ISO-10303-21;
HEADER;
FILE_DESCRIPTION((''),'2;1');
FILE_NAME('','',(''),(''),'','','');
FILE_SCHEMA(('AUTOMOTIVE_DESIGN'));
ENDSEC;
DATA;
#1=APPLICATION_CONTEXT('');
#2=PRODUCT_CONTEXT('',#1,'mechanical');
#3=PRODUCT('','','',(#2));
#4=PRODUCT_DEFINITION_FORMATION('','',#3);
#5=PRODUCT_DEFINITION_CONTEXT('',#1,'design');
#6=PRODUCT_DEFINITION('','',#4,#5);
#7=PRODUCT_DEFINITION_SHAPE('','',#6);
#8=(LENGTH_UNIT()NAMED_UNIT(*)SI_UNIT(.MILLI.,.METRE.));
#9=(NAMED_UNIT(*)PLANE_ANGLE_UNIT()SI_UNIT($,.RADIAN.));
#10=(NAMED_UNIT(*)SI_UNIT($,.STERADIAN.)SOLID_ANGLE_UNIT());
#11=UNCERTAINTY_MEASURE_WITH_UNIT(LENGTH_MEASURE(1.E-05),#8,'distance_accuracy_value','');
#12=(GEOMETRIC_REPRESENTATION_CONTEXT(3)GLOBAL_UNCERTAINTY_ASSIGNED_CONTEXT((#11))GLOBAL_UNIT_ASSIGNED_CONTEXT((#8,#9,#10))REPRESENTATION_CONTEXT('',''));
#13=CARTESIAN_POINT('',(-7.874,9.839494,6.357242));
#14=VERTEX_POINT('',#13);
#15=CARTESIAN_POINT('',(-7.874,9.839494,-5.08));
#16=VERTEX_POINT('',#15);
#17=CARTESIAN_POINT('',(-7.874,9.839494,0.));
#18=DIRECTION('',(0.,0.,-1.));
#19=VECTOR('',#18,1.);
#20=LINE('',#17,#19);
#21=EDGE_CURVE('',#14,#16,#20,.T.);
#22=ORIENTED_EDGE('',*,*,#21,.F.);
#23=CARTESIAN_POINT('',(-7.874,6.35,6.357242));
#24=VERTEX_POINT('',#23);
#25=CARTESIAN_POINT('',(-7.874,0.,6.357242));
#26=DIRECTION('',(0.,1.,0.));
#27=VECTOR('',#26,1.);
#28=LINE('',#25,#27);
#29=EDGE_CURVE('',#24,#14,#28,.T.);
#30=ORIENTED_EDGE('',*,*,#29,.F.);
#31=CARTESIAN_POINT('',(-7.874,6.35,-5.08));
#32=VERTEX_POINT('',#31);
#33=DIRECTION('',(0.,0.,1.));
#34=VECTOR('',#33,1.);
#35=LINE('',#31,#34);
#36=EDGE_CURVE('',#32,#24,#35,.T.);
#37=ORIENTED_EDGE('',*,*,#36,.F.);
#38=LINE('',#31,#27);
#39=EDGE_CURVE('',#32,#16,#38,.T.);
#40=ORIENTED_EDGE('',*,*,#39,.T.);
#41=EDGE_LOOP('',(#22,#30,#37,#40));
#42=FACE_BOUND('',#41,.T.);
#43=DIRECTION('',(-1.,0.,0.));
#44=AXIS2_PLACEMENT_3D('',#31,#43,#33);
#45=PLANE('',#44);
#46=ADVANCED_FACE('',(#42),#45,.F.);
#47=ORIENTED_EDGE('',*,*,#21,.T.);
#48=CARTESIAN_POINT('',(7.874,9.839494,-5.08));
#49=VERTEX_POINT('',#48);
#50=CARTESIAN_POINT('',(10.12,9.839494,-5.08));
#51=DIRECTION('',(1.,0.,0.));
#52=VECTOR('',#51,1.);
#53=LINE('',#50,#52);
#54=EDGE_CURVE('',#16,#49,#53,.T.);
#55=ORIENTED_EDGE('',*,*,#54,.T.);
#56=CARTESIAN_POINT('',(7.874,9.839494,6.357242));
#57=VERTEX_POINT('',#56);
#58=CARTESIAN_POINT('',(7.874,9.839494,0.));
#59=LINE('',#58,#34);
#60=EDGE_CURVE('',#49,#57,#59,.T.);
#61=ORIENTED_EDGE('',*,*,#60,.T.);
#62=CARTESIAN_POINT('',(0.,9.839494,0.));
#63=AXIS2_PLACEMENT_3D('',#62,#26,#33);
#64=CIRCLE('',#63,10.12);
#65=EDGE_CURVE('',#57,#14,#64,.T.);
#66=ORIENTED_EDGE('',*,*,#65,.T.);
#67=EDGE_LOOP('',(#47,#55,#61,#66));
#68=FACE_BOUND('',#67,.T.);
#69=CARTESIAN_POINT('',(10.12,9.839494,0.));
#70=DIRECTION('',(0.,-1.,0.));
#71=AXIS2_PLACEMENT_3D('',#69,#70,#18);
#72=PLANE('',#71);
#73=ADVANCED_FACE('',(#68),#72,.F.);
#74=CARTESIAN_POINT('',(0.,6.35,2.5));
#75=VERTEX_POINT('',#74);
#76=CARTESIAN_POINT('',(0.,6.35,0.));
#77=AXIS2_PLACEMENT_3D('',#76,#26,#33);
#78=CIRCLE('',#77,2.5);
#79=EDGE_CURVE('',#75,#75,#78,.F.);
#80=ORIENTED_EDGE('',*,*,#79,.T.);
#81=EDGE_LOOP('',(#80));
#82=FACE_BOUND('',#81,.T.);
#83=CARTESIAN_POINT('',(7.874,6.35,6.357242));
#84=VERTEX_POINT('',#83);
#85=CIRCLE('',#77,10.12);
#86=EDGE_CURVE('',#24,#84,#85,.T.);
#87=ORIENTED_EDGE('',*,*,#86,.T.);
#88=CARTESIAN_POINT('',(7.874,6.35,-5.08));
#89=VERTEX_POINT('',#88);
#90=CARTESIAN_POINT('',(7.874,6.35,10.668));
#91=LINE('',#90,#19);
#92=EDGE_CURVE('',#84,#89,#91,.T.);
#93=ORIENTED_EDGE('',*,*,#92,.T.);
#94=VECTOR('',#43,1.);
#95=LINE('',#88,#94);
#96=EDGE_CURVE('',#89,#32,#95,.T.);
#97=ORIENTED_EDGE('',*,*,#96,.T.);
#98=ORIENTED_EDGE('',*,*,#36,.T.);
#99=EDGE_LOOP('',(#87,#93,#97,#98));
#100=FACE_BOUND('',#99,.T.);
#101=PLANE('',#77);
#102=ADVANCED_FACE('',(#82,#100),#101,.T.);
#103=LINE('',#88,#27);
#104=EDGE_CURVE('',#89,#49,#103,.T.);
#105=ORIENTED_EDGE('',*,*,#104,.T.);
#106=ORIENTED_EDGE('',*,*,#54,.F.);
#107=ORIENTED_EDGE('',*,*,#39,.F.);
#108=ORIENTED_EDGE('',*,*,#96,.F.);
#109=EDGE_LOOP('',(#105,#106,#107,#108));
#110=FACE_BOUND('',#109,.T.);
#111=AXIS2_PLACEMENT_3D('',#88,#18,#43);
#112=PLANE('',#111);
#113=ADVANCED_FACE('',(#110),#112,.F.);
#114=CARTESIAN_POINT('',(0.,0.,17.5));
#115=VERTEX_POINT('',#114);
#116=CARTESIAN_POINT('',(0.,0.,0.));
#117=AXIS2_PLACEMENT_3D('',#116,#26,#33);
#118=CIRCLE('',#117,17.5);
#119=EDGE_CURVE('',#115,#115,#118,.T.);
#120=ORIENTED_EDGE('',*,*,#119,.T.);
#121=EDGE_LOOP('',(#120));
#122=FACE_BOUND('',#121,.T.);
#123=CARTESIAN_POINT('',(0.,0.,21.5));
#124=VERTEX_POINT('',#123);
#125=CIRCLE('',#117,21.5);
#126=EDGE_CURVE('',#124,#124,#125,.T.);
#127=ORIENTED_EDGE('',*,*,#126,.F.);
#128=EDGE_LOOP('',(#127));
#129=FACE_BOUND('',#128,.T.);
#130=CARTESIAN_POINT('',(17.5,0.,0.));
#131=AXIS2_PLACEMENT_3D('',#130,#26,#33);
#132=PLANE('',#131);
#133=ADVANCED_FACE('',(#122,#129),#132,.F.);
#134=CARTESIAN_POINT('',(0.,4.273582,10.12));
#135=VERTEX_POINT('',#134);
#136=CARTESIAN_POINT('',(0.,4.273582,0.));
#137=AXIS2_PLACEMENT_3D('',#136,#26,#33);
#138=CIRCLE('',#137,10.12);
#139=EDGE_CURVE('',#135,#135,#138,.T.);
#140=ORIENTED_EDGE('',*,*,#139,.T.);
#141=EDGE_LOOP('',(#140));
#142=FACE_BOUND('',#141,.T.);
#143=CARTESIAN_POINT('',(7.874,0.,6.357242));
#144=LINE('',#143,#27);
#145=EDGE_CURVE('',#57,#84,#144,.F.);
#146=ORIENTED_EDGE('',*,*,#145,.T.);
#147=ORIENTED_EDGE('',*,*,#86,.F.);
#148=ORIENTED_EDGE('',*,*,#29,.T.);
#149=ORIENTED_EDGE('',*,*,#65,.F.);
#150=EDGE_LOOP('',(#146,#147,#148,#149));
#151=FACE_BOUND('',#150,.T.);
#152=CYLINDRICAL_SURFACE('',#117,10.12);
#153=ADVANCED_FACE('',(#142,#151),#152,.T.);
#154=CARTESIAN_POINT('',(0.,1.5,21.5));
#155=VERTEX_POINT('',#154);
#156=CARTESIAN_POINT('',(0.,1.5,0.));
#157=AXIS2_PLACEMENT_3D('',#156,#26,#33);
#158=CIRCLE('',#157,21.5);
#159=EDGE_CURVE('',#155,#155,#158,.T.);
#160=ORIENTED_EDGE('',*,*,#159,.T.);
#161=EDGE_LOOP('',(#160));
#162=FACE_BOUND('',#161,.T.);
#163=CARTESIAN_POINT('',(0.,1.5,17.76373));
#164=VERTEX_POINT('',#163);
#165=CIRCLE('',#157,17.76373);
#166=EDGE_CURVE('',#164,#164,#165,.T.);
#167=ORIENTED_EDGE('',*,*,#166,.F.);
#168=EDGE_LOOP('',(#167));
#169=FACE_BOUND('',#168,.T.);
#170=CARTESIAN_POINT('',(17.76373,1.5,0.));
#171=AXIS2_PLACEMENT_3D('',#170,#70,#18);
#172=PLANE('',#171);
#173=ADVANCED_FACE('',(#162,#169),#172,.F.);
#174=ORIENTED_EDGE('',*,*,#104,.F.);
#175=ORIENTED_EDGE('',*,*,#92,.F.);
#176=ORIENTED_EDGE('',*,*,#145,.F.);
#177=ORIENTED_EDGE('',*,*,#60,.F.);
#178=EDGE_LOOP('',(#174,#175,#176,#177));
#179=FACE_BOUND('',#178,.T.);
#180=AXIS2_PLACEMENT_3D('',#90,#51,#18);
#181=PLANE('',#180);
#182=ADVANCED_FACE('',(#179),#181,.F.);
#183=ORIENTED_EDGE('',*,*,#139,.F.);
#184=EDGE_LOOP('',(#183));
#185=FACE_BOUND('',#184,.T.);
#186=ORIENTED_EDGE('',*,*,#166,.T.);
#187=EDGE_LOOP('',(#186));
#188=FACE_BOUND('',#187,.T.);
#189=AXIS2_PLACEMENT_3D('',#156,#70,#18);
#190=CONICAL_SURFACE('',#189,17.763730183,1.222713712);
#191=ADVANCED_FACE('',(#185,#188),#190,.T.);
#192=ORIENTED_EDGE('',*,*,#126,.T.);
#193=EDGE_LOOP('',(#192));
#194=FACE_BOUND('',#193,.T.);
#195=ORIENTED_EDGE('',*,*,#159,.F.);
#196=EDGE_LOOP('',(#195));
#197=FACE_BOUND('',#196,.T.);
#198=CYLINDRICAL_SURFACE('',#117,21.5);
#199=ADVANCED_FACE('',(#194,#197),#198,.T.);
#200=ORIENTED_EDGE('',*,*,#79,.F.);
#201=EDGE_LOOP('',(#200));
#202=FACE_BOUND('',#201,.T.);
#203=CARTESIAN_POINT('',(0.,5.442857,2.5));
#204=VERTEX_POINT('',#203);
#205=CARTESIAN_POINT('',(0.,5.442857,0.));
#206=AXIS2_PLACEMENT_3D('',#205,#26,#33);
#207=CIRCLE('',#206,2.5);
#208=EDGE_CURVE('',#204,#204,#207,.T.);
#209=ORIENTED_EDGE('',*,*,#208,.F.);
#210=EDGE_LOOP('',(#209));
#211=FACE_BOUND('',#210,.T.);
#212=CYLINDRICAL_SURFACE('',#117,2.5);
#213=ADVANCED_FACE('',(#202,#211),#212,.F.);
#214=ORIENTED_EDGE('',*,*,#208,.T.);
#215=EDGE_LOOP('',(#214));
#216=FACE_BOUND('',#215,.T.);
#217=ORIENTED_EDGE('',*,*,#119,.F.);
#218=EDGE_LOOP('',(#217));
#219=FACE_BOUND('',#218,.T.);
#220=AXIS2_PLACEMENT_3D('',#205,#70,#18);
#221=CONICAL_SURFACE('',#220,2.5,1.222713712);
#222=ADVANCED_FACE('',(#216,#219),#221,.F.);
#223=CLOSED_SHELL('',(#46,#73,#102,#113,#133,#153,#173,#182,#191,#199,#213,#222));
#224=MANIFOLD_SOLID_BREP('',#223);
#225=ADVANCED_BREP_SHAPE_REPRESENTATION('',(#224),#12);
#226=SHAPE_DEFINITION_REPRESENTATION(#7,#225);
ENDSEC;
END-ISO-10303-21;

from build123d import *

# Parameters (mm, degrees)
SKETCH5_W          = 15.748
SKETCH5_H          = 15.748
CUT_EXTRUDE1_DEPTH = 6.35


with BuildPart() as part:
    # Sketch3 → Revolve1 (revolve)
    with BuildSketch(Plane.XY):
        Polygon((17.5, 0), (2.5, 5.442857143), (2.5, 9.839494163), (10.12, 9.839494163), (10.12, 4.273582095), (17.763730183, 1.5), (21.5, 1.5), (21.5, 0), align=None)
    revolve(axis=Axis((0, 0, 0), (0, -1, 0)))

    # Sketch5 → Cut-Extrude1 (cut)
    with BuildSketch(Plane(origin=(0, 12.7, 0), x_dir=(1, 0, 0), z_dir=(0, 1, 0))):
        with Locations((0, -2.794)):
            Rectangle(SKETCH5_W, SKETCH5_H)
    extrude(amount=-CUT_EXTRUDE1_DEPTH, mode=Mode.SUBTRACT)


solid = part.part
